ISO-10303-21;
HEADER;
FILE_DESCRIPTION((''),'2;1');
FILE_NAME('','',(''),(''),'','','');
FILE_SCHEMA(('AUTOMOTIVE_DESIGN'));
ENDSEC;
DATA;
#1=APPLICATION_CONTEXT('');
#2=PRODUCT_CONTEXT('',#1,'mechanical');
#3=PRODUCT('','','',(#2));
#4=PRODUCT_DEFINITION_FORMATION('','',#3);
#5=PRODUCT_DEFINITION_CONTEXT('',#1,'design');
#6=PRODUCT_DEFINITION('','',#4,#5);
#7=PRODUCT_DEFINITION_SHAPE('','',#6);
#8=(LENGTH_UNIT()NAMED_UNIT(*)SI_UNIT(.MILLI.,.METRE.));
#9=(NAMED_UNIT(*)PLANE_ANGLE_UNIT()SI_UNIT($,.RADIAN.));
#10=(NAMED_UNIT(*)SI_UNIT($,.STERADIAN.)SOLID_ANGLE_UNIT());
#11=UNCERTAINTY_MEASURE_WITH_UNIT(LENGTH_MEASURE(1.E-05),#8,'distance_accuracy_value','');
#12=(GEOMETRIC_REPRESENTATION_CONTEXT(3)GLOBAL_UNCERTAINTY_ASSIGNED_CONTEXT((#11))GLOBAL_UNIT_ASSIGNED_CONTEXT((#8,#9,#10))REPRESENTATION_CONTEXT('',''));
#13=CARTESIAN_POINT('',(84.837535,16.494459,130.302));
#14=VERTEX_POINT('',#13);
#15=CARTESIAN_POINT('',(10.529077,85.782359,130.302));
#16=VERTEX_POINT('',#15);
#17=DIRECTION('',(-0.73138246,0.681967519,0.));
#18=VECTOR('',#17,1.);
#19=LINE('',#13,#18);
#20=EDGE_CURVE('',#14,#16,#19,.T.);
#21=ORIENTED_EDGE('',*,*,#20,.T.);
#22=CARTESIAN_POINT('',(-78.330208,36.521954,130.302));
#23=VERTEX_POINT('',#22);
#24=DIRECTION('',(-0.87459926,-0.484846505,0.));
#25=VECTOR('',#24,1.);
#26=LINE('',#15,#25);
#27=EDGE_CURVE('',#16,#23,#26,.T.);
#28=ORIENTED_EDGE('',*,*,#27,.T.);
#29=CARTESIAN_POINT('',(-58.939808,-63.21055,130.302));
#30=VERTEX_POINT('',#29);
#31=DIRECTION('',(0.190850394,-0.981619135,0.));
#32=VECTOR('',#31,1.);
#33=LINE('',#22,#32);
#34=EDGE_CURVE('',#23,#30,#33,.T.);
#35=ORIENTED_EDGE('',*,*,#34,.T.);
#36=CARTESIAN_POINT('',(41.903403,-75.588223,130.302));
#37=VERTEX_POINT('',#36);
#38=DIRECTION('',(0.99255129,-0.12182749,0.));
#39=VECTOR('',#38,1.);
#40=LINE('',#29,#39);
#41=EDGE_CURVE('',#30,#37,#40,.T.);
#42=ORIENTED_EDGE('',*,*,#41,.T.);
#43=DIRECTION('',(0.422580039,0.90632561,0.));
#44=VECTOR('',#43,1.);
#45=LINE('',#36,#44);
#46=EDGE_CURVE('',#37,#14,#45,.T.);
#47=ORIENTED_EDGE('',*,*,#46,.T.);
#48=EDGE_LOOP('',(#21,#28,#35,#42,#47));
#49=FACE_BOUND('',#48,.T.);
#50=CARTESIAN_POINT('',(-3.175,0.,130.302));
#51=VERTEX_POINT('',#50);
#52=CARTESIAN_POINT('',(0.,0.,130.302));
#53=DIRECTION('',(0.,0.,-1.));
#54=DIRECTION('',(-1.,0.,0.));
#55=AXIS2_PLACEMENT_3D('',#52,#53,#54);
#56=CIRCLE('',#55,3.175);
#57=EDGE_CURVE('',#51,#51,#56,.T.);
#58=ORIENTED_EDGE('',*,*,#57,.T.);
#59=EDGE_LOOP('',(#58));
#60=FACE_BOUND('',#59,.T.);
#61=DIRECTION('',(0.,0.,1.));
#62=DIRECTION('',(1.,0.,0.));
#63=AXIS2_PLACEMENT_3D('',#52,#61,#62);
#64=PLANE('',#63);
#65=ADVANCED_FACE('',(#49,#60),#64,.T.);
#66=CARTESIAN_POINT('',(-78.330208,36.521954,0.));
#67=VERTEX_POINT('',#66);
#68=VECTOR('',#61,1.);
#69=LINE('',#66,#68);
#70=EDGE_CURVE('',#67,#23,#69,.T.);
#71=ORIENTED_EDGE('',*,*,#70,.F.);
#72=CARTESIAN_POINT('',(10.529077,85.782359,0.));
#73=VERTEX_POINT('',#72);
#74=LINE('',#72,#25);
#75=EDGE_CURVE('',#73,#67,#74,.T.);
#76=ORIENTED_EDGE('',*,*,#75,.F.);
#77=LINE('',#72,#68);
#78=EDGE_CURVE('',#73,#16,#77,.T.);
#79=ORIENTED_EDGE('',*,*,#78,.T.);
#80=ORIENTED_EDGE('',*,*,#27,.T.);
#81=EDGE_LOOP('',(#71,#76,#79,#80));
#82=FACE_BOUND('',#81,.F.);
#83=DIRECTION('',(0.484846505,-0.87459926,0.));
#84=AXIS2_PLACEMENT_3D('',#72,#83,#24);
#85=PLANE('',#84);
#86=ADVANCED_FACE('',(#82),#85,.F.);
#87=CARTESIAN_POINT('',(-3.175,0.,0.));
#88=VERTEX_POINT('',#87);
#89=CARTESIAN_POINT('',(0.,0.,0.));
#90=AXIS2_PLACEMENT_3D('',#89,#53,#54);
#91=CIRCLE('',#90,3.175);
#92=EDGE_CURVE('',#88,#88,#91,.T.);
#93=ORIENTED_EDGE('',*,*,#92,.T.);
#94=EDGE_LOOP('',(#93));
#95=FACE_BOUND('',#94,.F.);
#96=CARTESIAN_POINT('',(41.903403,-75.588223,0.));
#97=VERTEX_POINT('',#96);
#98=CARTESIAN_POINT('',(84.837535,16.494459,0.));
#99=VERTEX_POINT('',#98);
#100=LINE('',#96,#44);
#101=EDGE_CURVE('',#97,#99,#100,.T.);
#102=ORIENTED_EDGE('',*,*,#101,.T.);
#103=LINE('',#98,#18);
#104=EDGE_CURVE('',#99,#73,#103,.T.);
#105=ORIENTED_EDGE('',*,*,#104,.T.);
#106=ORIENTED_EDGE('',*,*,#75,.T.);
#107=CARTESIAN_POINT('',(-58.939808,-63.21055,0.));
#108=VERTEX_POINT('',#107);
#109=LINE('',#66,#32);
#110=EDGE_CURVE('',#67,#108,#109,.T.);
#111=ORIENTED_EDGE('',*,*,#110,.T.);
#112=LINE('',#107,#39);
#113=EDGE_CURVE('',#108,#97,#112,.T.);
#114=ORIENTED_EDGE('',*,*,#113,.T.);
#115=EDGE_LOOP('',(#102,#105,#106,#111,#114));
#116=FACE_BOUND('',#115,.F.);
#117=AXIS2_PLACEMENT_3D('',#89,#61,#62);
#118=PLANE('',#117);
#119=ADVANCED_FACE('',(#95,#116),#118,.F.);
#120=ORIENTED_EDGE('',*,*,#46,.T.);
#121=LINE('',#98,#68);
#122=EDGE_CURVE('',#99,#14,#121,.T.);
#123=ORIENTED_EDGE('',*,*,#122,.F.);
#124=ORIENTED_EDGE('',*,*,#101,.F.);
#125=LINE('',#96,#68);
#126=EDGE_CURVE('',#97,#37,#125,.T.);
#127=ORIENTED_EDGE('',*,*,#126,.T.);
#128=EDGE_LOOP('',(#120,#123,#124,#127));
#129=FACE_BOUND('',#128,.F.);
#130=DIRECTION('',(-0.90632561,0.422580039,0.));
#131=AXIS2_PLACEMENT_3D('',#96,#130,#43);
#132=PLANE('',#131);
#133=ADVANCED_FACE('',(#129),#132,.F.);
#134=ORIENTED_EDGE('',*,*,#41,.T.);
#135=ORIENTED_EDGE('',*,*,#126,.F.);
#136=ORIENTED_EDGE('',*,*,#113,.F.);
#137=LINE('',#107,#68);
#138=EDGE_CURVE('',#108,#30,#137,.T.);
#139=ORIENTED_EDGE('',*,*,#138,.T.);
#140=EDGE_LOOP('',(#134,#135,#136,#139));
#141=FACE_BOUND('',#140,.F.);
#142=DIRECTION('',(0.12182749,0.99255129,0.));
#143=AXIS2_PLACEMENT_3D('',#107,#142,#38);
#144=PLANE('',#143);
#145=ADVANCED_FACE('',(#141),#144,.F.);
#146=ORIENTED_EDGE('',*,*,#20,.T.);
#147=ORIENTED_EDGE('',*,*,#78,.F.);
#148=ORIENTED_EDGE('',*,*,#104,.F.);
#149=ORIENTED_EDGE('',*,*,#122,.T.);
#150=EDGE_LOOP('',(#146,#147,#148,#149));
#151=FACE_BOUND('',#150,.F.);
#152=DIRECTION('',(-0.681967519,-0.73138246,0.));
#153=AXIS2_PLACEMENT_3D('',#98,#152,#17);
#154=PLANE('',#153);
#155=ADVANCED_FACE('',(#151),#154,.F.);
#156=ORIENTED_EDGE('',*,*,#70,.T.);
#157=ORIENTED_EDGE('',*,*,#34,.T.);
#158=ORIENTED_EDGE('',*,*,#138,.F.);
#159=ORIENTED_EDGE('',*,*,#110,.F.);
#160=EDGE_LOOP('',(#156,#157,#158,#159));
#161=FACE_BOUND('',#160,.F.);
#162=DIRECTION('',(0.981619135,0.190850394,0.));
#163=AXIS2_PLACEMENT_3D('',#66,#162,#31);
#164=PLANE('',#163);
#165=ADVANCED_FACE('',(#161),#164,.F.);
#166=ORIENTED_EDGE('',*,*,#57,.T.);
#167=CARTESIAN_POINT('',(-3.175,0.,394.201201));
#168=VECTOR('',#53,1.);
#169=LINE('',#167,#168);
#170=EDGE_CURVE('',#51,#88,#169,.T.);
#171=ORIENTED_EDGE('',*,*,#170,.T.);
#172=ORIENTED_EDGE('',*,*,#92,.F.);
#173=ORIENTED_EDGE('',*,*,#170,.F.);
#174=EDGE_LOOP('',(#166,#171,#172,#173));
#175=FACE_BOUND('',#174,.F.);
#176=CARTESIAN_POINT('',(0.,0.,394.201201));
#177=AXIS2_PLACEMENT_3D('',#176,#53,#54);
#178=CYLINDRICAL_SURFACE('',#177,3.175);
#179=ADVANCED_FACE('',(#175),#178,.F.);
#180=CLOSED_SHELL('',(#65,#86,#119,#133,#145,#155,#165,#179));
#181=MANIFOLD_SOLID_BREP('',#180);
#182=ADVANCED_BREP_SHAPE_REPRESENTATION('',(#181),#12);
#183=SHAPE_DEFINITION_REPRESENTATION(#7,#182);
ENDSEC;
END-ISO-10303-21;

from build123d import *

# Parameters (mm, degrees)
F1_DEPTH = 130.302
F3_D     = 6.35


with BuildPart() as f1:
    # F0 (on Top) → F1 (new body)
    with BuildSketch(Plane.XY):
        Polygon((10.529077, 85.782359), (-78.330208, 36.521954), (-58.939808, -63.21055), (41.903403, -75.588223), (84.837535, 16.494459), align=None)
    extrude(amount=F1_DEPTH)

    # F3 (through all)
    with Locations(Plane.XY.offset(130.302)):
        with Locations((0, 0)):
            Hole(F3_D / 2)


solid = f1.part
